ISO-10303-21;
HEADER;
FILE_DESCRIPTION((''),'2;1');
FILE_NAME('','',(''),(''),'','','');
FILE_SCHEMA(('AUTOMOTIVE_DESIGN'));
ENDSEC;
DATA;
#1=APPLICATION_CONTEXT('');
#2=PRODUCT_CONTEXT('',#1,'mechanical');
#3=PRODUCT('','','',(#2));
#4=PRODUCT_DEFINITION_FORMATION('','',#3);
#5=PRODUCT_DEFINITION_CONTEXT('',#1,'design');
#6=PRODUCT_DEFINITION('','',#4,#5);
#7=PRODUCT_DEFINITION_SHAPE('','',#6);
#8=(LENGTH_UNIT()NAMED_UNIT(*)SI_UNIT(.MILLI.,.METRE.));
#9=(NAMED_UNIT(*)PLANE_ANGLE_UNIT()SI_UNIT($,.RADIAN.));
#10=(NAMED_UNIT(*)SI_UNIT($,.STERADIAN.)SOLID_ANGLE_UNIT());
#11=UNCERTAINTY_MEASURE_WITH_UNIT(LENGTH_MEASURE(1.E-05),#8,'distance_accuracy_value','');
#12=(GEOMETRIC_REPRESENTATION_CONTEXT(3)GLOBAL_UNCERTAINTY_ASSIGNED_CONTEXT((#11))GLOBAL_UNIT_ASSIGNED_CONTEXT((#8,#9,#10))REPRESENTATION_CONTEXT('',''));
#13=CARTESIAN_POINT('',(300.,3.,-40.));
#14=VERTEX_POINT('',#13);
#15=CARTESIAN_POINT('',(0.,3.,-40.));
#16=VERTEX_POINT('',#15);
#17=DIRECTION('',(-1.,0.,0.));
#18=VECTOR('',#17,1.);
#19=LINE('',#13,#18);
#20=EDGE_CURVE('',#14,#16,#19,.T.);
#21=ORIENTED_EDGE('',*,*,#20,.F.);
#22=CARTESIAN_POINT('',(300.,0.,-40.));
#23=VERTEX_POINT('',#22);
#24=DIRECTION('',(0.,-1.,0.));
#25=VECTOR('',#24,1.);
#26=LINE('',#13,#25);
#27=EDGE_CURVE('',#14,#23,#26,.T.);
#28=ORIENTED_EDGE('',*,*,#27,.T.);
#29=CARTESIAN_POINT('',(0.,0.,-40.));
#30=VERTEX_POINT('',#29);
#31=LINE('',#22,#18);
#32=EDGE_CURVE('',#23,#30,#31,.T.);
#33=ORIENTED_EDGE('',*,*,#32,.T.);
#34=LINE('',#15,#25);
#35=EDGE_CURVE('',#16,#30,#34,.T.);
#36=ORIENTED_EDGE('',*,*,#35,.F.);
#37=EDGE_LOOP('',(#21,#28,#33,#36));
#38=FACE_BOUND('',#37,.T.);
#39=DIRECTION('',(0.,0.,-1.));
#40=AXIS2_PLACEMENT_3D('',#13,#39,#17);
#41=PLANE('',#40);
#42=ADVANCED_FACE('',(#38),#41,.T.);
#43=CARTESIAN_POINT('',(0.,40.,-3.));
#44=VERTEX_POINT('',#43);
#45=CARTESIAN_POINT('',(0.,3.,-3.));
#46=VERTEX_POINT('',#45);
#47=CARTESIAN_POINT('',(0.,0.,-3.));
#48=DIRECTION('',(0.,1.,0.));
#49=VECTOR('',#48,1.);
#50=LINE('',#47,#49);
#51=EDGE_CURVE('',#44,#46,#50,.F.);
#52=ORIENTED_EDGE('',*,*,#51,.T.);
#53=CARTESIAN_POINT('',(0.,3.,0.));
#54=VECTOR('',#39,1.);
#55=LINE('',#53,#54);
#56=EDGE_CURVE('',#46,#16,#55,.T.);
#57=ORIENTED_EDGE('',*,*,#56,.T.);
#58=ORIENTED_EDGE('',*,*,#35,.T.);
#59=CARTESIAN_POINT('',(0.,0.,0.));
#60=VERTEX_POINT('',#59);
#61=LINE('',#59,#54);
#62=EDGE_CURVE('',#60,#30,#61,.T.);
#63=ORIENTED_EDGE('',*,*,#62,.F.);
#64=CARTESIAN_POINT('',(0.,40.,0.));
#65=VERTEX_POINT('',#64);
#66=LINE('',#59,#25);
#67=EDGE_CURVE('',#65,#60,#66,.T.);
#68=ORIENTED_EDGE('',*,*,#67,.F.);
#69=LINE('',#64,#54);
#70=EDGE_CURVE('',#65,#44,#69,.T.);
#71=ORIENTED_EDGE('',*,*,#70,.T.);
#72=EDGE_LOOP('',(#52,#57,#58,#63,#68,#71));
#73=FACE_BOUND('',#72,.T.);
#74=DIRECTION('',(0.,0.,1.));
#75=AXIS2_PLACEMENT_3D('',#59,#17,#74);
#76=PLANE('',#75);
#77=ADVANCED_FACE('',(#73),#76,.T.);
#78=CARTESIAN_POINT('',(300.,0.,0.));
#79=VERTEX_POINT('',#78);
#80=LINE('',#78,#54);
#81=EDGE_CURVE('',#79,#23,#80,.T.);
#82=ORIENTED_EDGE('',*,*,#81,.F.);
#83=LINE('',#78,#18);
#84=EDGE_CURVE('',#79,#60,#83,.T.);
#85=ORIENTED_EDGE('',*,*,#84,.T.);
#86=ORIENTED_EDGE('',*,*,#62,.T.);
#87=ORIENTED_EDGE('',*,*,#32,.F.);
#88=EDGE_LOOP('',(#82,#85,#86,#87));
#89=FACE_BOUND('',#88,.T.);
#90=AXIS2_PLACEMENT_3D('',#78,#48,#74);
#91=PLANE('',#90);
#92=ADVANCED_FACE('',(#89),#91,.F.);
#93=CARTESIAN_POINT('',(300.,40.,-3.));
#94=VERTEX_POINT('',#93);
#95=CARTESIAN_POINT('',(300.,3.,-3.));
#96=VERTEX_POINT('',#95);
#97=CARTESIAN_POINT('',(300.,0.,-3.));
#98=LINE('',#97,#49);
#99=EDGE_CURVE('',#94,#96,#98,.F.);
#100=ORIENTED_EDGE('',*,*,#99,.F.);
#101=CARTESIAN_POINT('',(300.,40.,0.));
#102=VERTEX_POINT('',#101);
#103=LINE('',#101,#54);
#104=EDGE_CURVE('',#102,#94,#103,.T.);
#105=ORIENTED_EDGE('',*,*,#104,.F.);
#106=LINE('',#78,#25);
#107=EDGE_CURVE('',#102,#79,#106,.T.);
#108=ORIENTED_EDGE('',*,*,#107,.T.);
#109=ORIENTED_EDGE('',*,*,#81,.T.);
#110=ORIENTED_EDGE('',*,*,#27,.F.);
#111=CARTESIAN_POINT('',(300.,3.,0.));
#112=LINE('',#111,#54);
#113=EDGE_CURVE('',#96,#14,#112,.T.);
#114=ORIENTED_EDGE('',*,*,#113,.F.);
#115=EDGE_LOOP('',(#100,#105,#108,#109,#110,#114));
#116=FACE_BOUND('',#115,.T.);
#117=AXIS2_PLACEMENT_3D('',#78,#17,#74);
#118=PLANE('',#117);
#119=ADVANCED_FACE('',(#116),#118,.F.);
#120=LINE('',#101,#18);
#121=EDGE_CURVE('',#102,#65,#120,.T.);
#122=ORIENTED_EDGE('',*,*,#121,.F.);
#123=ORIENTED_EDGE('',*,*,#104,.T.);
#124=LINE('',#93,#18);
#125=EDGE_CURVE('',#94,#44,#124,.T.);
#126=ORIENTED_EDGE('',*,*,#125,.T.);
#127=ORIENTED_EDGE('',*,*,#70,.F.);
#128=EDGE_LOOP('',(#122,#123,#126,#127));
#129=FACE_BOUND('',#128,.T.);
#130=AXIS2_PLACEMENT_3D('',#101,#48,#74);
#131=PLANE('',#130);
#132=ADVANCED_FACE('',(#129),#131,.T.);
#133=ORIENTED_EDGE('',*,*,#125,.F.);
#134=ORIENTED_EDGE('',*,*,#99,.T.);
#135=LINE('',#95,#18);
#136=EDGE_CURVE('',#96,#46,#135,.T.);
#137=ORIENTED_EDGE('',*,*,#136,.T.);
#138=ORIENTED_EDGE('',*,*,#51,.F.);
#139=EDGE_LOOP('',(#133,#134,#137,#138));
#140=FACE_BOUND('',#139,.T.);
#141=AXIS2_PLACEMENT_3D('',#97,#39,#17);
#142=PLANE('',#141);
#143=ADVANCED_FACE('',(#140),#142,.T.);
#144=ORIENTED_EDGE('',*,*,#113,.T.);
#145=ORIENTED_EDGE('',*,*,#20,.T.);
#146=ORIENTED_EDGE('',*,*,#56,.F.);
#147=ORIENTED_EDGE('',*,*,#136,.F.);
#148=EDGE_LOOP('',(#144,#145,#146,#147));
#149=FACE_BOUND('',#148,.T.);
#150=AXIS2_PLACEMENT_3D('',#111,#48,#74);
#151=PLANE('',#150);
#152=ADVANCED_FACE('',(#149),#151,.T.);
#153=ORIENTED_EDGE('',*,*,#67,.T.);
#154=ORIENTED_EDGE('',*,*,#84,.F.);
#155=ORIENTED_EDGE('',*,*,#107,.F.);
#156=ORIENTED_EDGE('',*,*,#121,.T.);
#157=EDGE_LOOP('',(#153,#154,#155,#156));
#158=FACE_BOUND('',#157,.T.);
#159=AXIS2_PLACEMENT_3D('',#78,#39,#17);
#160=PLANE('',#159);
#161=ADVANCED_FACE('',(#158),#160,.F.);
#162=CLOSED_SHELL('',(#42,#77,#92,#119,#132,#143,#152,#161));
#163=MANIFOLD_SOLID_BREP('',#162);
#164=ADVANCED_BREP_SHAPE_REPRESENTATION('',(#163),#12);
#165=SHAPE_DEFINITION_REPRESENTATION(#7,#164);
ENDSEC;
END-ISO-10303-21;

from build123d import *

# Parameters (mm, degrees)
EXTRUDE_1_DEPTH = 300


with BuildPart() as part:
    # Эскиз1 → Вытянуть-Тонкостенный1 (new body)
    with BuildSketch(Plane(origin=(0, 0, 0), x_dir=(0, 0, -1), z_dir=(1, 0, 0))):
        Polygon((40, 0), (0, 0), (0, 40), (3, 40), (3, 3), (40, 3), align=None)
    extrude(amount=EXTRUDE_1_DEPTH)


solid = part.part
